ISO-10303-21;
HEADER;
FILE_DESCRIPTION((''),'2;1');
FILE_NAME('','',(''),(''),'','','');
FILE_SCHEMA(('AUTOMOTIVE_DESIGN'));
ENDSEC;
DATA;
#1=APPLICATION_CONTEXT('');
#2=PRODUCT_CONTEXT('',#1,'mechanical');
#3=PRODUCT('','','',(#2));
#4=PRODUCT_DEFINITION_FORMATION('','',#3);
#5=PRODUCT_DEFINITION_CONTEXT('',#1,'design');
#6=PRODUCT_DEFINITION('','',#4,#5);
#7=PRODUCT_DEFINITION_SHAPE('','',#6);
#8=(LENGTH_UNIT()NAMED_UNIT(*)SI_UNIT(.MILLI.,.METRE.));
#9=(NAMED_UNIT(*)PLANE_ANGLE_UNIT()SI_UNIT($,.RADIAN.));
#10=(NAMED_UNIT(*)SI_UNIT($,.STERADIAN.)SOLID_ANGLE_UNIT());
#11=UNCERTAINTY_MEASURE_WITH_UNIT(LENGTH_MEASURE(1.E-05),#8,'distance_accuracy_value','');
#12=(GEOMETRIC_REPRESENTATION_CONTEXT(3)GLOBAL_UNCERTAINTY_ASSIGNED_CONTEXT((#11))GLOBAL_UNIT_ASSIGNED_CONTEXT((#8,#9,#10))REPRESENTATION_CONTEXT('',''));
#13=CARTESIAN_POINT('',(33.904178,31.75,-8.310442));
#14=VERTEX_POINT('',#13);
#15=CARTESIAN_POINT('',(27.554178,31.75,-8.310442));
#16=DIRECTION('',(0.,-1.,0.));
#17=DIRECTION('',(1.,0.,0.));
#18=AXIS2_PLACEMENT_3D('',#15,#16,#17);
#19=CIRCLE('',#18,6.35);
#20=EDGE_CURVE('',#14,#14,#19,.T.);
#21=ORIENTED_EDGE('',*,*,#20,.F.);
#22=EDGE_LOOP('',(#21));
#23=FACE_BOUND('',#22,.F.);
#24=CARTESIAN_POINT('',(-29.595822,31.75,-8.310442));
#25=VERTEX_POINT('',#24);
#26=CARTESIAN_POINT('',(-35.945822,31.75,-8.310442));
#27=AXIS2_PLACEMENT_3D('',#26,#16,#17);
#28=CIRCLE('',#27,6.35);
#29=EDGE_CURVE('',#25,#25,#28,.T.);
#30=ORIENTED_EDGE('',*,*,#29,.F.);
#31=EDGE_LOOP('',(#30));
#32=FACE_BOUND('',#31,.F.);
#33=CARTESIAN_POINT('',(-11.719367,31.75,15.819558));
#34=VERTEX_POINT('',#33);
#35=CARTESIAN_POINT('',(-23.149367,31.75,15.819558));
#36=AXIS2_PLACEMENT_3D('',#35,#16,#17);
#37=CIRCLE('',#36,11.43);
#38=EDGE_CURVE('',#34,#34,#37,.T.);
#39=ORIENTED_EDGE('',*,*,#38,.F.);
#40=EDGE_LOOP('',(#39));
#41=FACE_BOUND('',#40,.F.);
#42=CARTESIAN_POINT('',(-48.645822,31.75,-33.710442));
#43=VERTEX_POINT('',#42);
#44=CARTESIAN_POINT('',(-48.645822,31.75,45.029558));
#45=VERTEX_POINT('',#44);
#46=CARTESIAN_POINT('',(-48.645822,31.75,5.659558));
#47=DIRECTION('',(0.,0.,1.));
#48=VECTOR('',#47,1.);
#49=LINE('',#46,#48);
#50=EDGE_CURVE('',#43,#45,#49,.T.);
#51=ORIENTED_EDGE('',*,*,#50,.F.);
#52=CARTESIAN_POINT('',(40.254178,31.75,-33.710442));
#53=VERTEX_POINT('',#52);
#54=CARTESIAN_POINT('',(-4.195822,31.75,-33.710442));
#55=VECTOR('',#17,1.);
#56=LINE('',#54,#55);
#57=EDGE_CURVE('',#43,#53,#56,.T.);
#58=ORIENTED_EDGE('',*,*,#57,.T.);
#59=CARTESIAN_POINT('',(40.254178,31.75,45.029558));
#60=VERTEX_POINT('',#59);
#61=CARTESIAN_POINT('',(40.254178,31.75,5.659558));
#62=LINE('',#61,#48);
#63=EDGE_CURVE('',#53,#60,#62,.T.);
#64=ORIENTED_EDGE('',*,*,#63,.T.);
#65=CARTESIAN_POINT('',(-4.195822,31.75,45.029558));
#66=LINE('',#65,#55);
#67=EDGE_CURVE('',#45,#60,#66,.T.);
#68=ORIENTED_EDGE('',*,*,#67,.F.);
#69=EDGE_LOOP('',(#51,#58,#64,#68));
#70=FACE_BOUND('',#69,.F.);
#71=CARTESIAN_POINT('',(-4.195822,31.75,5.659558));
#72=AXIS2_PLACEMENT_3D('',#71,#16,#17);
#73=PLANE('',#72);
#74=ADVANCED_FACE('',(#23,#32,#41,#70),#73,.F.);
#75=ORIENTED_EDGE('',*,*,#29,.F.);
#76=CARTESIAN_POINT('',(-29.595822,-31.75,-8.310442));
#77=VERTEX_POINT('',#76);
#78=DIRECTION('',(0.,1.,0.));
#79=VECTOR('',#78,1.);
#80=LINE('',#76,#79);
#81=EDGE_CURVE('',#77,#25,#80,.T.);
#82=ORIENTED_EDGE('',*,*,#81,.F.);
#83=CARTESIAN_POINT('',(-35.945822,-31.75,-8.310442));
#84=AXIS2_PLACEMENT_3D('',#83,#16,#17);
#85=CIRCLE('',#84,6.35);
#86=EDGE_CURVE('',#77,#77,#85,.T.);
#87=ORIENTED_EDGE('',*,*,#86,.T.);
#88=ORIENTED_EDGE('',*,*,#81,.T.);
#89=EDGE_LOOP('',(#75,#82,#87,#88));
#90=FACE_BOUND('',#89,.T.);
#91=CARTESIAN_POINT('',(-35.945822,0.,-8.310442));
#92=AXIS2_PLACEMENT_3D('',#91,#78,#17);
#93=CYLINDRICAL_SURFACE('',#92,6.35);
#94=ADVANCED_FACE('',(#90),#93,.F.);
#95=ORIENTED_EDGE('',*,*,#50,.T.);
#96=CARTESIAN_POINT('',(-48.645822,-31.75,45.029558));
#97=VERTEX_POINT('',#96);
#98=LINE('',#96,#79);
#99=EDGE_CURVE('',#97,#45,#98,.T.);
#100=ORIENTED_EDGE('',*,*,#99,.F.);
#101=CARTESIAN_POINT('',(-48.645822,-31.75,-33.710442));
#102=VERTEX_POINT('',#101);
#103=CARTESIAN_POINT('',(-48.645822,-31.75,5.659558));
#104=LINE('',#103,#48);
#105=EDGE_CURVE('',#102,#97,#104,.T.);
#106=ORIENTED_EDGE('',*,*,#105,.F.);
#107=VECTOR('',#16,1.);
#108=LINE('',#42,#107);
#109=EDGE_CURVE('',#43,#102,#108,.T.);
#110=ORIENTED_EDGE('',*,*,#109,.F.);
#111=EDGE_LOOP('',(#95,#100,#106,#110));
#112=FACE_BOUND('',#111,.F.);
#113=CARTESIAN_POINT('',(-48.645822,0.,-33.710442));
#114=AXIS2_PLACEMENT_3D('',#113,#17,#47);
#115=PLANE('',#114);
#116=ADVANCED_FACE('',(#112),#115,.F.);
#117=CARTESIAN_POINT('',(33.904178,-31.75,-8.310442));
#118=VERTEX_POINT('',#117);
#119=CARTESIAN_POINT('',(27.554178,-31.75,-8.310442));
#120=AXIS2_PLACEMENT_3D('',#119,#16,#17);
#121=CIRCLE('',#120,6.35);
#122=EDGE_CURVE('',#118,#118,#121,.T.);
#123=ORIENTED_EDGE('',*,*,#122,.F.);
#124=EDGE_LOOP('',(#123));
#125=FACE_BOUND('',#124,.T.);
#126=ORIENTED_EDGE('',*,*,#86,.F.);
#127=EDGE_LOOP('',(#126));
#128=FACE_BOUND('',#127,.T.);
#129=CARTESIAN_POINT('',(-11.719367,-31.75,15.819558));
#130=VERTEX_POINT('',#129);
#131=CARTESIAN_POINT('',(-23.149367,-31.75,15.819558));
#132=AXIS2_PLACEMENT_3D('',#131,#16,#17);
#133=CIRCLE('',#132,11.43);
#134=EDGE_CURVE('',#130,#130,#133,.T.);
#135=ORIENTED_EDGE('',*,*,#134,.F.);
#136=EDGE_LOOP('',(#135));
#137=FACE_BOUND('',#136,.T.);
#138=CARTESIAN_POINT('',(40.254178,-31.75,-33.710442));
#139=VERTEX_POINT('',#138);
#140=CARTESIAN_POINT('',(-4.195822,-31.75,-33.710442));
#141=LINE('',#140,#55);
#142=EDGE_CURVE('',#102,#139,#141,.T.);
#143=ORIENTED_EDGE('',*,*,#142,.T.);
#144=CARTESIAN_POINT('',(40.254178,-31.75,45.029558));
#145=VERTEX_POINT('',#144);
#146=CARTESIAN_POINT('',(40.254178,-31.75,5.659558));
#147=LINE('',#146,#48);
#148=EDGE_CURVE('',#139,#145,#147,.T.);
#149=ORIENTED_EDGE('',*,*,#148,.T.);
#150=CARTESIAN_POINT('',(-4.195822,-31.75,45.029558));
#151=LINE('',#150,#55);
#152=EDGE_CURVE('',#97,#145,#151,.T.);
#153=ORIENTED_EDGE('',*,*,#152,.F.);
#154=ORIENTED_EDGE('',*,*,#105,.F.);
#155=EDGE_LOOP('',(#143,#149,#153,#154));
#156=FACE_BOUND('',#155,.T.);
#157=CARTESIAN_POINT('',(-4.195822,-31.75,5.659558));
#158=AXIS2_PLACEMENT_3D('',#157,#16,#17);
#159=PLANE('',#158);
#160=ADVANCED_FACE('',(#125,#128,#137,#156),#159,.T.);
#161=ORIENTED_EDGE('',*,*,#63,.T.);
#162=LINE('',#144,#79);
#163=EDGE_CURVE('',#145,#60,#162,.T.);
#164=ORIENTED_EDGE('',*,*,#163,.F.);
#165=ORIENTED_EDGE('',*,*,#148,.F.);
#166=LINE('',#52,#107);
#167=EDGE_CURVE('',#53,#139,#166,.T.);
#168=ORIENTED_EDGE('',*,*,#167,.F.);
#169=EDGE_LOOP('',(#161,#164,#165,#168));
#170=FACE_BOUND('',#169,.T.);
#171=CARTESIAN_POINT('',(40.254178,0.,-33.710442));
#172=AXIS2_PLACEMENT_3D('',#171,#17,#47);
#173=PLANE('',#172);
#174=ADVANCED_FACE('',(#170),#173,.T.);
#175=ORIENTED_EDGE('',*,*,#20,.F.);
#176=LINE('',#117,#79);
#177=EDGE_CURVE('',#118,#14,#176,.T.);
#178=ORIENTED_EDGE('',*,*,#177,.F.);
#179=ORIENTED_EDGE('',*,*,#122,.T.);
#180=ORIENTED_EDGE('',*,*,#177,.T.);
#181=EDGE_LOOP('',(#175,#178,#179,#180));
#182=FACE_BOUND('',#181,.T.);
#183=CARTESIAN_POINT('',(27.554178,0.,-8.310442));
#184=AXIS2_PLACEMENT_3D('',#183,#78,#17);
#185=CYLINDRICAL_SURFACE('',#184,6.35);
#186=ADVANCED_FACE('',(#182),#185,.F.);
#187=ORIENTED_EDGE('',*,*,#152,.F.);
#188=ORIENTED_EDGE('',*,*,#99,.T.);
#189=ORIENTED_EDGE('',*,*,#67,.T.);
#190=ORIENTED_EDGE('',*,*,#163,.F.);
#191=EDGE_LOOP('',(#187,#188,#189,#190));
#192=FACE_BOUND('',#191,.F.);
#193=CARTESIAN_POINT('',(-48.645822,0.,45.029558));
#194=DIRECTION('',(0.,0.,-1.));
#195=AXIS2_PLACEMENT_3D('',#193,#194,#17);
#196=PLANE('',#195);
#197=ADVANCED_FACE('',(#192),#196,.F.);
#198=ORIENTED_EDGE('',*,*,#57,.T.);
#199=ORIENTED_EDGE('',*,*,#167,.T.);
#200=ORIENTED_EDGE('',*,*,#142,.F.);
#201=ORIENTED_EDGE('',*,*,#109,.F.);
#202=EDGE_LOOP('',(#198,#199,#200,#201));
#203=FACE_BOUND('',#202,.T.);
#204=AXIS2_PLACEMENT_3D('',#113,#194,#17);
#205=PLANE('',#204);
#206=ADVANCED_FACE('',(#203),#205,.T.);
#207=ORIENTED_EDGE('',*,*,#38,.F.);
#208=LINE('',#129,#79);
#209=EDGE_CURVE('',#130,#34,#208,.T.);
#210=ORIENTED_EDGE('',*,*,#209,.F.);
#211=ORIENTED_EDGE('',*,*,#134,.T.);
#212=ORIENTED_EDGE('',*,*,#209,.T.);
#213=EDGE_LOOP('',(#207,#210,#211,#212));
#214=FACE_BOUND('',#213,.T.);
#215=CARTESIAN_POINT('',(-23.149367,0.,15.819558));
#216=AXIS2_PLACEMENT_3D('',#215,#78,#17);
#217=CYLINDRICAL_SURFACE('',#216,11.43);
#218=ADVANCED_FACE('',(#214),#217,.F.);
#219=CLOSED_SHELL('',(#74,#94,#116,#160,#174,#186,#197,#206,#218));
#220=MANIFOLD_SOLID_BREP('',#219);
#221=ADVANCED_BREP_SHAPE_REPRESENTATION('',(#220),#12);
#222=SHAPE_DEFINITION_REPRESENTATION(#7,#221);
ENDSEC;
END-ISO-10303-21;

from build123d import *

# Parameters (mm, degrees)
F0_W     = 88.9
F0_H     = 78.74
F0_R     = 6.35
F0_R_2   = 11.43
F1_DEPTH = 31.75


with BuildPart() as f1:
    # F0 (on Front) → F1 (new body, symmetric)
    with BuildSketch(Plane.XZ):
        with Locations((-4.195822, 5.659558)):
            Rectangle(F0_W, F0_H)
        with Locations((-35.945822, -8.310442)):
            Circle(F0_R, mode=Mode.SUBTRACT)
        with Locations((27.554178, -8.310442)):
            Circle(F0_R, mode=Mode.SUBTRACT)
        with Locations((-23.149367, 15.819558)):
            Circle(F0_R_2, mode=Mode.SUBTRACT)
    extrude(amount=F1_DEPTH, both=True)


solid = f1.part
